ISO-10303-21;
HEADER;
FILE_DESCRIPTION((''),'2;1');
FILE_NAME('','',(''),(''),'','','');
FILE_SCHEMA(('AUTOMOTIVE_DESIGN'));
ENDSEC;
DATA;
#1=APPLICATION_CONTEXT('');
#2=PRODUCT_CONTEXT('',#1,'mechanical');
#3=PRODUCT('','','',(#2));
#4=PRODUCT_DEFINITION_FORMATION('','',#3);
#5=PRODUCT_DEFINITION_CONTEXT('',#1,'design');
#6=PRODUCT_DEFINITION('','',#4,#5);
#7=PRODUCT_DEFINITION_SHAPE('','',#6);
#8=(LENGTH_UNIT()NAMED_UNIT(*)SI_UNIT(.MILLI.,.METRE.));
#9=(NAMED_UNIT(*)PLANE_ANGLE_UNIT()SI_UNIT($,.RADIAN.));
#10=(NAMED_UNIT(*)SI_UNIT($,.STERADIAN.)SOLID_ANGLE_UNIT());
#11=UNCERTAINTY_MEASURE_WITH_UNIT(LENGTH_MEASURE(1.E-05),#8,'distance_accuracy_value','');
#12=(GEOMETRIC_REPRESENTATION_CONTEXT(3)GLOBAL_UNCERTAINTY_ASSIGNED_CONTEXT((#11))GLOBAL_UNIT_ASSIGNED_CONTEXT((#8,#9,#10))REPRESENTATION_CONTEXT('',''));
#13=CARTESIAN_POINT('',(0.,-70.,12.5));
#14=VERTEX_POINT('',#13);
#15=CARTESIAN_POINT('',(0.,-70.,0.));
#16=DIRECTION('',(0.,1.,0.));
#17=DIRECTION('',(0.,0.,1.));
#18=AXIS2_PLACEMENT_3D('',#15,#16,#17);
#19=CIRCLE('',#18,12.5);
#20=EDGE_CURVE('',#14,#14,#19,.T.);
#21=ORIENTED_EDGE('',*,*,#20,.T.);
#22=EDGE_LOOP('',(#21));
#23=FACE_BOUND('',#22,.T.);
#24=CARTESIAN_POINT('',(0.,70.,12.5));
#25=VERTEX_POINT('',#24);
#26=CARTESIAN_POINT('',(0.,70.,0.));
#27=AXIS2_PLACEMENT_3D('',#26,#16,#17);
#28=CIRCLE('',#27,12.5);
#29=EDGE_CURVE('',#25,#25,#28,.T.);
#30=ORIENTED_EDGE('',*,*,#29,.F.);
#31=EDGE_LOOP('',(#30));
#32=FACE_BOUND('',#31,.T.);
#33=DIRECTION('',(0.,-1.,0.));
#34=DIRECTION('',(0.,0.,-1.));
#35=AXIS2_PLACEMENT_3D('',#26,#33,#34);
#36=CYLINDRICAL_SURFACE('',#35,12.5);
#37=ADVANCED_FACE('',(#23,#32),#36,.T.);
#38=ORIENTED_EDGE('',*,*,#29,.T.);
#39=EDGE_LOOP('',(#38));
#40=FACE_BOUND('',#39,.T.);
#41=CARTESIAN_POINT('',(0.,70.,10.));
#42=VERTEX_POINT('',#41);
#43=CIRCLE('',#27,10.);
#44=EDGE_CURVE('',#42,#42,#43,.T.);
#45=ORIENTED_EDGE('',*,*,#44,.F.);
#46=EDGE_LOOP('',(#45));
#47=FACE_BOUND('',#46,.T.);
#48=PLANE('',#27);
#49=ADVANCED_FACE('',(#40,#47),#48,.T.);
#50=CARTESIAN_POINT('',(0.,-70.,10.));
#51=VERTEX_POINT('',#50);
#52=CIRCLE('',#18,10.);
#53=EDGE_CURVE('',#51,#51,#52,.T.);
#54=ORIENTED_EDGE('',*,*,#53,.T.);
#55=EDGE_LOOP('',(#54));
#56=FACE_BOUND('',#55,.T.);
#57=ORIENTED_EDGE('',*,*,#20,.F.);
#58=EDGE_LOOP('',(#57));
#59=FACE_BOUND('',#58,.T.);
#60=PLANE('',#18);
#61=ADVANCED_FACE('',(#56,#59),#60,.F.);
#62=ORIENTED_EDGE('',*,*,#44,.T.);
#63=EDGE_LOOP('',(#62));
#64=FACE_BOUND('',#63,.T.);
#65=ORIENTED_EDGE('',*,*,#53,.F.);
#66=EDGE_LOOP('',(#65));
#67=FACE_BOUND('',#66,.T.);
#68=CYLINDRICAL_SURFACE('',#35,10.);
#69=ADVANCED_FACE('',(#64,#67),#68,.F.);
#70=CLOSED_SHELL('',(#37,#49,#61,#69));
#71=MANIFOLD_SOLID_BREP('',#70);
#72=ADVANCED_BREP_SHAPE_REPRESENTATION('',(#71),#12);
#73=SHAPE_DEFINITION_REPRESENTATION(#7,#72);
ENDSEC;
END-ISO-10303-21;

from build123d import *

# Parameters (mm, degrees)
CROQUIS1_R              = 12.5
CROQUIS1_R_2            = 10
SALIENTE_EXTRUIR1_DEPTH = 70


with BuildPart() as part:
    # Croquis1 → Saliente-Extruir1 (new body, symmetric)
    with BuildSketch(Plane(origin=(0, 0, 0), x_dir=(1, 0, 0), z_dir=(0, 1, 0))):
        Circle(CROQUIS1_R)
        Circle(CROQUIS1_R_2, mode=Mode.SUBTRACT)
    extrude(amount=SALIENTE_EXTRUIR1_DEPTH, both=True)


solid = part.part
